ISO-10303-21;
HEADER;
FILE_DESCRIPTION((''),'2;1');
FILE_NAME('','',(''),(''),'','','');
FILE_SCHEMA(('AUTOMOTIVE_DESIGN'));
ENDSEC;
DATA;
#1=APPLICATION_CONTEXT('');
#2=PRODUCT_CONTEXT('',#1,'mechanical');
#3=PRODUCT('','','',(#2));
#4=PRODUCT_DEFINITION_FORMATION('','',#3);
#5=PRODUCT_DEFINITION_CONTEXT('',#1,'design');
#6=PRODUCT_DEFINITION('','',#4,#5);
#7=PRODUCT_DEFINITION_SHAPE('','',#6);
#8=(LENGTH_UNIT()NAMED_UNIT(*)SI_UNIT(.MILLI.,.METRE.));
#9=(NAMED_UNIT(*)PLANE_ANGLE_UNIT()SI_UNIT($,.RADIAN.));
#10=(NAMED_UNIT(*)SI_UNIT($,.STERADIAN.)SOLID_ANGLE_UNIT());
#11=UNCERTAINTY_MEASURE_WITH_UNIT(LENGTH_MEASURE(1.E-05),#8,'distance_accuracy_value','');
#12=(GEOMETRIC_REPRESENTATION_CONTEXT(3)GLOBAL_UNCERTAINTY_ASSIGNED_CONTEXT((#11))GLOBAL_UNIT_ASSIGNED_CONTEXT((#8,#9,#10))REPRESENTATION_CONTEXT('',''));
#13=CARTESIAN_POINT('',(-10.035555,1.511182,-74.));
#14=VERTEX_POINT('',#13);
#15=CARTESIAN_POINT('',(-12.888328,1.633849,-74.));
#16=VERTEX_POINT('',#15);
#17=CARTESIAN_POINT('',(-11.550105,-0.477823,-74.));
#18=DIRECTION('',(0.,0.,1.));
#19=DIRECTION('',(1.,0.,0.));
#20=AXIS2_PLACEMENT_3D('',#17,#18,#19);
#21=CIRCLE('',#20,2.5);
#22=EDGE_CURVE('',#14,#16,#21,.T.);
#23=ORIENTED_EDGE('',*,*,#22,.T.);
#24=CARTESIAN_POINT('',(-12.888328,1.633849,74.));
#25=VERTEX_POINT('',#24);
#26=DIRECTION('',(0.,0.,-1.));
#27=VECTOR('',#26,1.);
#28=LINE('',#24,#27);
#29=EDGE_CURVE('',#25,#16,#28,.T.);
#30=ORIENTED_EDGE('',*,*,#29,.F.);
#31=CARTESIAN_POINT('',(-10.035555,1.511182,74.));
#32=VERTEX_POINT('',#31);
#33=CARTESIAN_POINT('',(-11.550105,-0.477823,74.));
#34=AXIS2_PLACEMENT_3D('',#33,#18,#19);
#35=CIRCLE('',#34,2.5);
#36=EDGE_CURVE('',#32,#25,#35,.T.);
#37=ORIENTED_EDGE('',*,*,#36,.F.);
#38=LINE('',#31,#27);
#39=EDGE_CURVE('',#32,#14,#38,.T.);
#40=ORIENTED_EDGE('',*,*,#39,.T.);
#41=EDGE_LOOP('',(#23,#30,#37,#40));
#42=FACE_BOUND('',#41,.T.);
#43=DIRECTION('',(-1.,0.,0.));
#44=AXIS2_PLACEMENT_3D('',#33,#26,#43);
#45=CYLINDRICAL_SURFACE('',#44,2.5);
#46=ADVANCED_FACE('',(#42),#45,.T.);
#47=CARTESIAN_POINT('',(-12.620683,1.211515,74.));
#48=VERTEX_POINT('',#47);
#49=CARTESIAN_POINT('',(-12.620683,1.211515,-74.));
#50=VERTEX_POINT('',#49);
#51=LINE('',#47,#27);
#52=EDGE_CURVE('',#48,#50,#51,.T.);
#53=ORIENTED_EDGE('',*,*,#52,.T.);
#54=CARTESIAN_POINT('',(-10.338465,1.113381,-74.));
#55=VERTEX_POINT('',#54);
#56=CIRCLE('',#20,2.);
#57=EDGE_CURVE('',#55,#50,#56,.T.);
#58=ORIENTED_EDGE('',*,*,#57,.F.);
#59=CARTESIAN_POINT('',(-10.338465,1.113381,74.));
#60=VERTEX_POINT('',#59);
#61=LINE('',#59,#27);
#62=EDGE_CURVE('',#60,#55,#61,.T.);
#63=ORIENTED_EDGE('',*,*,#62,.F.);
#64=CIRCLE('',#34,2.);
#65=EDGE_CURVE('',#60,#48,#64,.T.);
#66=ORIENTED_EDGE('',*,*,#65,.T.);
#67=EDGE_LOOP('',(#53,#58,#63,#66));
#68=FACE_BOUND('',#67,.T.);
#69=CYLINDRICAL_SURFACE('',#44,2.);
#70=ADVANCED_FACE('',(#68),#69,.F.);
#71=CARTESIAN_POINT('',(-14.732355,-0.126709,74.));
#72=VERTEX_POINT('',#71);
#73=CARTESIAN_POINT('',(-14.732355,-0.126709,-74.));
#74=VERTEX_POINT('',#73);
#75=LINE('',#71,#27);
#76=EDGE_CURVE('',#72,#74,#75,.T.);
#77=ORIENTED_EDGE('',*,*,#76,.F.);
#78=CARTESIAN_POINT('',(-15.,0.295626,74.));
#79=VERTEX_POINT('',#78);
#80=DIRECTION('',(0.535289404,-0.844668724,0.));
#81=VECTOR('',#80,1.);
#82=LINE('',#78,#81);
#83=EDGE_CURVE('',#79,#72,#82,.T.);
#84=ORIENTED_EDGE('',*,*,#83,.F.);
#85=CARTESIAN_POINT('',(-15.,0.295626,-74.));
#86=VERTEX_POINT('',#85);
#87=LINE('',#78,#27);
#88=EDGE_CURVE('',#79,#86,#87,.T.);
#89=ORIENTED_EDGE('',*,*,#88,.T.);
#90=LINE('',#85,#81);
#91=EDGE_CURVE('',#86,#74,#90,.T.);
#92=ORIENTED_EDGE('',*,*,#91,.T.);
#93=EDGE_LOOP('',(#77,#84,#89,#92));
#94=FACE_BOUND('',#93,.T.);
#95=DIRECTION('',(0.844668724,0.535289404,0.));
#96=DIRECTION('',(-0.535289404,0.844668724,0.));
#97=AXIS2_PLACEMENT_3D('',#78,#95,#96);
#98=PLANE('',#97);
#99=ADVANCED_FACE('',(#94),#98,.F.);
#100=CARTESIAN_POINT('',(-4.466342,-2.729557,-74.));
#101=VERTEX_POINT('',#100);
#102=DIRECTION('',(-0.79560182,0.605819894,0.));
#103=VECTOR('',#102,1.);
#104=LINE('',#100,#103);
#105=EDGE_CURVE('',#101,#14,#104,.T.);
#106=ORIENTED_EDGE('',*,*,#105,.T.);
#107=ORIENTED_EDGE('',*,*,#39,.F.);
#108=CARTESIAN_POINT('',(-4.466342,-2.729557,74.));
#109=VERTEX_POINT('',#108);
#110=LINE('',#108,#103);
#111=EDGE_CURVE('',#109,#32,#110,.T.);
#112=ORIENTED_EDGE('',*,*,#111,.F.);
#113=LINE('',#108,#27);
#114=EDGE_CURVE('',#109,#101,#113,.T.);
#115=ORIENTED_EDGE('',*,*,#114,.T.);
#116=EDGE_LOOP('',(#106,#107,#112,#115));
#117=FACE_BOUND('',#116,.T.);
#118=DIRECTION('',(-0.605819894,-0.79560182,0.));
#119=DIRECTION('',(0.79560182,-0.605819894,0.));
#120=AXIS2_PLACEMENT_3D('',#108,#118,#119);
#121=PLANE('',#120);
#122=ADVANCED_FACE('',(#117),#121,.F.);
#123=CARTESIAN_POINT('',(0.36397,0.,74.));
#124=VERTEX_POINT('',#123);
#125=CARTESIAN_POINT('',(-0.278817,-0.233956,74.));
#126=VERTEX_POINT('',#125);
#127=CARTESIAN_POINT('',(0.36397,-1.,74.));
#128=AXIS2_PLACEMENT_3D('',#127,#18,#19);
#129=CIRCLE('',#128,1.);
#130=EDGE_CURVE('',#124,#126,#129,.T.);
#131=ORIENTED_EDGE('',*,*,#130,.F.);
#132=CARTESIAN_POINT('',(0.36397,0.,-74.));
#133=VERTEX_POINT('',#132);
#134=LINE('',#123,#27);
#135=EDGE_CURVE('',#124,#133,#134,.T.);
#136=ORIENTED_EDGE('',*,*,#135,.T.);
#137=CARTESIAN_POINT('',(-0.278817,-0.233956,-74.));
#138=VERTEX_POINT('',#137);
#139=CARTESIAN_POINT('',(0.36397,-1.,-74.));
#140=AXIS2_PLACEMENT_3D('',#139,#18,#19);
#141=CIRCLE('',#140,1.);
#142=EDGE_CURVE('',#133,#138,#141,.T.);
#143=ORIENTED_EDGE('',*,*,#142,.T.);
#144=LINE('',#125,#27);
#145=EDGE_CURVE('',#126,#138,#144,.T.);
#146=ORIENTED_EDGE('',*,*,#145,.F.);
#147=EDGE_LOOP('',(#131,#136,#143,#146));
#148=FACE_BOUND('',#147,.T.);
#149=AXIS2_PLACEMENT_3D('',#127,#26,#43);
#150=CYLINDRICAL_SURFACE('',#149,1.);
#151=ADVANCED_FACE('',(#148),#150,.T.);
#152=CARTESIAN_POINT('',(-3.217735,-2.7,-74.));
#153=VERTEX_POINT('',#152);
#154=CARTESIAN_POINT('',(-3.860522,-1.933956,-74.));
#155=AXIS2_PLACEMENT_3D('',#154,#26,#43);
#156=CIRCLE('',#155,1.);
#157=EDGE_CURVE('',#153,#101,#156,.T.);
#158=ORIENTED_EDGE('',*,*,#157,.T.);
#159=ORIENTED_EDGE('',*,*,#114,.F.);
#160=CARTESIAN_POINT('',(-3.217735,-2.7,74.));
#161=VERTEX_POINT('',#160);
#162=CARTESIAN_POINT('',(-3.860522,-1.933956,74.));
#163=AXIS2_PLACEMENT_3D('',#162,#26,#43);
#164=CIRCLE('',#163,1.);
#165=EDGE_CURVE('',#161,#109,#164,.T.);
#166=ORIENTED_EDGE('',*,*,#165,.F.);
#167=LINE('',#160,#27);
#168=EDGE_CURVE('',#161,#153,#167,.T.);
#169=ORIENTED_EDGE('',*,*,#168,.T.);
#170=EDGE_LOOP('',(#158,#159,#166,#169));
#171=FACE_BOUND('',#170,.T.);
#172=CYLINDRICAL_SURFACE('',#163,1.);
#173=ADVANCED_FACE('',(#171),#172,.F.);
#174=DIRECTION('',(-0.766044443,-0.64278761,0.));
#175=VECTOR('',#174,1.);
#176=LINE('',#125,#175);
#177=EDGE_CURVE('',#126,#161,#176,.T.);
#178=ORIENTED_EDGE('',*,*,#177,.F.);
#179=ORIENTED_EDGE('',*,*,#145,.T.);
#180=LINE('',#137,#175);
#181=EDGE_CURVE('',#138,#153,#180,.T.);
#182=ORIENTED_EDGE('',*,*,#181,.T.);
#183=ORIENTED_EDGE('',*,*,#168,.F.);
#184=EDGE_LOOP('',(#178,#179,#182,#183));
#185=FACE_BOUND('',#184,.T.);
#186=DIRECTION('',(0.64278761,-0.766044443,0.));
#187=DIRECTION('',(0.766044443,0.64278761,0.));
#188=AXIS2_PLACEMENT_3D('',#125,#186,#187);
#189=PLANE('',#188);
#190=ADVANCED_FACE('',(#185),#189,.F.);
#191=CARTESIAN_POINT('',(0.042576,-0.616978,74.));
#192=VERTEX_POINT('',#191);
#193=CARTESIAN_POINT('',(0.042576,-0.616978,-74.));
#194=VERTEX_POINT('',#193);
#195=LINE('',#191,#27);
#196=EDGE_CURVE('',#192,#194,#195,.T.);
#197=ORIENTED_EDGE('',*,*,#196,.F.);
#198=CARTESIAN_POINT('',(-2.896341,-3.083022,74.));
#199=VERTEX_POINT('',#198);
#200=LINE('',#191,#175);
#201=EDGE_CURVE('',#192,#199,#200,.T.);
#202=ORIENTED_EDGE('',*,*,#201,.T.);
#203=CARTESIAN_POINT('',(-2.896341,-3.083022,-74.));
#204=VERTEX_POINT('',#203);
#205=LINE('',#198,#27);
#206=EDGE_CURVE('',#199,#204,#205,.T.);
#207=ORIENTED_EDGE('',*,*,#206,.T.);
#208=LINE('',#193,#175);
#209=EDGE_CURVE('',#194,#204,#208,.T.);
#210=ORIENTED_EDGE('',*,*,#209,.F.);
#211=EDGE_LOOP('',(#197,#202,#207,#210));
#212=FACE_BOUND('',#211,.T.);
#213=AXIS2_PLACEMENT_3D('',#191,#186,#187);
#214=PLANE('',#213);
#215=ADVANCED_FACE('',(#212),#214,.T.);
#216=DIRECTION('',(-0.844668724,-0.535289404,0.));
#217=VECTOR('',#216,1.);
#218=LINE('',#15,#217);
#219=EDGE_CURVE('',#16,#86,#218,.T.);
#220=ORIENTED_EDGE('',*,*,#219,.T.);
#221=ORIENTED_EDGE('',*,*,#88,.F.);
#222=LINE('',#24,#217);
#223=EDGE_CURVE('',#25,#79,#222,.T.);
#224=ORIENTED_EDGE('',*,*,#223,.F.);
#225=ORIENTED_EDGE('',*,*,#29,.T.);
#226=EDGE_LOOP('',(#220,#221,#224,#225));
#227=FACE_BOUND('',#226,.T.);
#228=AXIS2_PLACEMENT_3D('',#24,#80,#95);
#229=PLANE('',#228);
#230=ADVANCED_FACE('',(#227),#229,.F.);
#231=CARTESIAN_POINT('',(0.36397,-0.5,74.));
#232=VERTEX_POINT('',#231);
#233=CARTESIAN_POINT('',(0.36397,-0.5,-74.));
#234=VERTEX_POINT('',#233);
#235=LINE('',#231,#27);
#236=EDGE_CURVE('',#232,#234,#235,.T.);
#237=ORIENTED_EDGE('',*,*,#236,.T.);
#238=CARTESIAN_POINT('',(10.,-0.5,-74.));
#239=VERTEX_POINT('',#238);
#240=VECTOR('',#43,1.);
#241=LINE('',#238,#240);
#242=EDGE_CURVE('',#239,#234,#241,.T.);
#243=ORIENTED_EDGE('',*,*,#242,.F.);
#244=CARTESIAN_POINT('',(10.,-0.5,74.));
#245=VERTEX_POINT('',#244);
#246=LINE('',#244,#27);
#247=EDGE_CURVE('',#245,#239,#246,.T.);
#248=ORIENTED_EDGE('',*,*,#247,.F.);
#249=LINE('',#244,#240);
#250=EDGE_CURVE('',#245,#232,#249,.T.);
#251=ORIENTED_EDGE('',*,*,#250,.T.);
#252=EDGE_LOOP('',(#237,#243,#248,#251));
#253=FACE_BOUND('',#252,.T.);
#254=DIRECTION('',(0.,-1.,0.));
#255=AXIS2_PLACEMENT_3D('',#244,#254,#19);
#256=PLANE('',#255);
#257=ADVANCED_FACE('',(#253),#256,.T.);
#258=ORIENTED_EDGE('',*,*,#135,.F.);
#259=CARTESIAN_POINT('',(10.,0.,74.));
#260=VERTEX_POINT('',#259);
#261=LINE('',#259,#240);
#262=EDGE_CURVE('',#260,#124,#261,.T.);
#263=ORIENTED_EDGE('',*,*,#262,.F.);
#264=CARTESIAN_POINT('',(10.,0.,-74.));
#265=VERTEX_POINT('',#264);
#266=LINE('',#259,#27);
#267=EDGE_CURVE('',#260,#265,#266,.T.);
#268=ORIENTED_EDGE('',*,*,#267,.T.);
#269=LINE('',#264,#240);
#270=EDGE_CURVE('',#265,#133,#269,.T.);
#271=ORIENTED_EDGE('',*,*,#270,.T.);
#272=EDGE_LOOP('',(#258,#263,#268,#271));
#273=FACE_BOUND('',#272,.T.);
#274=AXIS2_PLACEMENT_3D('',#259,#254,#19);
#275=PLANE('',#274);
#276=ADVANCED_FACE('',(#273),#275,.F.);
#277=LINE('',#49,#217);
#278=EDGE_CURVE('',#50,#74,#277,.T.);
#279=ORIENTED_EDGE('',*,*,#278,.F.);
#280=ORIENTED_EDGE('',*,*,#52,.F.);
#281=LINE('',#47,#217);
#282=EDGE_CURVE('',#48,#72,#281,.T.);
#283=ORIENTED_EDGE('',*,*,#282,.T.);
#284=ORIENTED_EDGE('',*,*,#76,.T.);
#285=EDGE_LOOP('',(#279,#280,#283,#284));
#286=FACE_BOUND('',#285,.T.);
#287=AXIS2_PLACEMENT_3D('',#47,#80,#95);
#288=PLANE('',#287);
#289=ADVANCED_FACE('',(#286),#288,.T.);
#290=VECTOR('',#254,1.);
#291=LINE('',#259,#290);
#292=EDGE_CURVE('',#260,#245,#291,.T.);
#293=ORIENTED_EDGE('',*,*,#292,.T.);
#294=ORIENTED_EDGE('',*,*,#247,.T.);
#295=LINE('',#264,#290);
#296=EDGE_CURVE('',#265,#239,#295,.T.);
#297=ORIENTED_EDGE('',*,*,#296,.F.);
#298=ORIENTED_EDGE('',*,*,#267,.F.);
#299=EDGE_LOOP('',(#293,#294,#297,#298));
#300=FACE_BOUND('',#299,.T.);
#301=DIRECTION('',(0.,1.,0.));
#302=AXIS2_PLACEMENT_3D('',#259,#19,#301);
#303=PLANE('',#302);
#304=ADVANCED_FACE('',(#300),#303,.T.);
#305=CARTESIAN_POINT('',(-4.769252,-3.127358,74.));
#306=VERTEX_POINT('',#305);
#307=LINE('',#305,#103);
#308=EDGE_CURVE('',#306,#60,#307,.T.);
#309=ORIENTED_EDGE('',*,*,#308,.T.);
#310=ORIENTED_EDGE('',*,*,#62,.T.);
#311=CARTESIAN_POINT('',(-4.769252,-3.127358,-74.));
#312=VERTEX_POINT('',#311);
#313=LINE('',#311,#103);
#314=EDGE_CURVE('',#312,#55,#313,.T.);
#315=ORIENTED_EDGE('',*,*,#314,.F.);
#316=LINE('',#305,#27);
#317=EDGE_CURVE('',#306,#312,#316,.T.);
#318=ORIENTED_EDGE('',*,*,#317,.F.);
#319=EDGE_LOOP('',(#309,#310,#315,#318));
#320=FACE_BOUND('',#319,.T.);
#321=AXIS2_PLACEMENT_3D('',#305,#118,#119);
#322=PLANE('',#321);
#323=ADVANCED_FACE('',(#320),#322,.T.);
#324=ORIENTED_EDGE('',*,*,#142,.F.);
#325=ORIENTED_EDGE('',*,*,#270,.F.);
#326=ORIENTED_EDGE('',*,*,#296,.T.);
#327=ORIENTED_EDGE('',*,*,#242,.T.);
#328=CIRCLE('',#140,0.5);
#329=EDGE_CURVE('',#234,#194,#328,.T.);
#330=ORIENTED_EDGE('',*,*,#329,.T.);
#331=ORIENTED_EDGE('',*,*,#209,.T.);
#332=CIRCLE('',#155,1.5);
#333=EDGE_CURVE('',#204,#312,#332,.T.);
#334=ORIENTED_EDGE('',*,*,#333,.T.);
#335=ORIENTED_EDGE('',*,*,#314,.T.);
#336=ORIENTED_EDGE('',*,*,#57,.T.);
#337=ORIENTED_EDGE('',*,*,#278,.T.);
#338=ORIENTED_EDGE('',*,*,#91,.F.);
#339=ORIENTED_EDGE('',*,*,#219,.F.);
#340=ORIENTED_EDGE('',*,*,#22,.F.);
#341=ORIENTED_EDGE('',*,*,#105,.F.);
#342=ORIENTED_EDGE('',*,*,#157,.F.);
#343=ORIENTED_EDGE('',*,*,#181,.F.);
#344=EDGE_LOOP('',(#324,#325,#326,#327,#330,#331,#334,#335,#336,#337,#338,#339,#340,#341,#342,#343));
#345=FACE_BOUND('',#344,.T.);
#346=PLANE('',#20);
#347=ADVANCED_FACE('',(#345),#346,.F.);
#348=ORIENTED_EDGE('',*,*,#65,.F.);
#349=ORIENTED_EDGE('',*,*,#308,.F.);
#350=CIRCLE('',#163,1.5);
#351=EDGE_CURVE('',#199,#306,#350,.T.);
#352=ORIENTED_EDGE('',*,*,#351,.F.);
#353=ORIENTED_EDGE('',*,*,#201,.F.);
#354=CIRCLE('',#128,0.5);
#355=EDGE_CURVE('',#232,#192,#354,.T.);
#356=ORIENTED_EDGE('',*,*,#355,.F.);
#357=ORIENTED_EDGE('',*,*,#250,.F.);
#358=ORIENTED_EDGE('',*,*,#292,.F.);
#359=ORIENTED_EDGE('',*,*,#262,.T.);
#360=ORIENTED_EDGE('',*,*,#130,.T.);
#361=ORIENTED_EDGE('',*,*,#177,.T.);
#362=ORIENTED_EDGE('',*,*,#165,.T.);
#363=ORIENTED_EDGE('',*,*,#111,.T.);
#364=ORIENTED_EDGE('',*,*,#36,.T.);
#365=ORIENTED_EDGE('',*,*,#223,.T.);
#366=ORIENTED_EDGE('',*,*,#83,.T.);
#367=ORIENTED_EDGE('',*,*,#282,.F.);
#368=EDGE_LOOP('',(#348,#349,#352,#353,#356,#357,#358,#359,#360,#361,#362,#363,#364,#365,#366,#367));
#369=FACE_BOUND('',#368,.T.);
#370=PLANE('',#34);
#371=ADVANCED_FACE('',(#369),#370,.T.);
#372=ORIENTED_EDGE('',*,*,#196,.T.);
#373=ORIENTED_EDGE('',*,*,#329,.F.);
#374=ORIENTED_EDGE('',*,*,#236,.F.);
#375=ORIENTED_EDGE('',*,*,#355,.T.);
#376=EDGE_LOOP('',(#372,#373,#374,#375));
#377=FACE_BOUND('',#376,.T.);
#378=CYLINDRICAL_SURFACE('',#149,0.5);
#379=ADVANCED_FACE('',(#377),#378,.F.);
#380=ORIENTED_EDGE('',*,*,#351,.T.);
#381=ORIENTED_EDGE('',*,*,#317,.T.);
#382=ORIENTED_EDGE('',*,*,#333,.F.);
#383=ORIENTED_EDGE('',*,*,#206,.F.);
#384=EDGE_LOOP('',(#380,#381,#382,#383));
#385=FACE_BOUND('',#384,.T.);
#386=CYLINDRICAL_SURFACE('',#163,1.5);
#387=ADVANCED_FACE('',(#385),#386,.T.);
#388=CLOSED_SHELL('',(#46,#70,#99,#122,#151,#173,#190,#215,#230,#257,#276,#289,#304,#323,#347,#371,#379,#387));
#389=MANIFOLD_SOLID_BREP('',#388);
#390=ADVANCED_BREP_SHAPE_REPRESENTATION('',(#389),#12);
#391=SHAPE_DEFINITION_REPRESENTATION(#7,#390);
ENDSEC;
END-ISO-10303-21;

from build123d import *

# Parameters (mm, degrees)
BOSS_EXTRUDE1_DEPTH = 74


with BuildPart() as part:
    # Sketch2 → Boss-Extrude1 (new, symmetric)
    with BuildSketch(Plane.XY):
        with BuildLine():
            Line((10, 0), (0.363970234, 0))
            ThreePointArc((0.363970234, 0), (0.021950091, -0.060307379), (-0.278817375, -0.233955557))
            Line((-0.278817375, -0.233955557), (-3.2177347, -2.7))
            ThreePointArc((-3.2177347, -2.7), (-3.836856667, -2.933675486), (-4.466342204, -2.729557377))
            Line((-4.466342204, -2.729557377), (-10.035554944, 1.511181882))
            ThreePointArc((-10.035554944, 1.511181882), (-11.442705663, 2.019869357), (-12.88832819, 1.633849142))
            Line((-12.88832819, 1.633849142), (-15, 0.295625632))
            Line((-15, 0.295625632), (-14.732355298, -0.126708731))
            Line((-14.732355298, -0.126708731), (-12.620683487, 1.21151478))
            ThreePointArc((-12.620683487, 1.21151478), (-11.464185466, 1.520330952), (-10.338464891, 1.113380972))
            Line((-10.338464891, 1.113380972), (-4.769252151, -3.127358287))
            ThreePointArc((-4.769252151, -3.127358287), (-3.825023846, -3.433535451), (-2.896340895, -3.083022222))
            Line((-2.896340895, -3.083022222), (0.042576429, -0.616977778))
            ThreePointArc((0.042576429, -0.616977778), (0.192960163, -0.53015369), (0.363970234, -0.5))
            Line((0.363970234, -0.5), (10, -0.5))
            Line((10, -0.5), (10, 0))
        make_face()
    extrude(amount=BOSS_EXTRUDE1_DEPTH, both=True)


solid = part.part
